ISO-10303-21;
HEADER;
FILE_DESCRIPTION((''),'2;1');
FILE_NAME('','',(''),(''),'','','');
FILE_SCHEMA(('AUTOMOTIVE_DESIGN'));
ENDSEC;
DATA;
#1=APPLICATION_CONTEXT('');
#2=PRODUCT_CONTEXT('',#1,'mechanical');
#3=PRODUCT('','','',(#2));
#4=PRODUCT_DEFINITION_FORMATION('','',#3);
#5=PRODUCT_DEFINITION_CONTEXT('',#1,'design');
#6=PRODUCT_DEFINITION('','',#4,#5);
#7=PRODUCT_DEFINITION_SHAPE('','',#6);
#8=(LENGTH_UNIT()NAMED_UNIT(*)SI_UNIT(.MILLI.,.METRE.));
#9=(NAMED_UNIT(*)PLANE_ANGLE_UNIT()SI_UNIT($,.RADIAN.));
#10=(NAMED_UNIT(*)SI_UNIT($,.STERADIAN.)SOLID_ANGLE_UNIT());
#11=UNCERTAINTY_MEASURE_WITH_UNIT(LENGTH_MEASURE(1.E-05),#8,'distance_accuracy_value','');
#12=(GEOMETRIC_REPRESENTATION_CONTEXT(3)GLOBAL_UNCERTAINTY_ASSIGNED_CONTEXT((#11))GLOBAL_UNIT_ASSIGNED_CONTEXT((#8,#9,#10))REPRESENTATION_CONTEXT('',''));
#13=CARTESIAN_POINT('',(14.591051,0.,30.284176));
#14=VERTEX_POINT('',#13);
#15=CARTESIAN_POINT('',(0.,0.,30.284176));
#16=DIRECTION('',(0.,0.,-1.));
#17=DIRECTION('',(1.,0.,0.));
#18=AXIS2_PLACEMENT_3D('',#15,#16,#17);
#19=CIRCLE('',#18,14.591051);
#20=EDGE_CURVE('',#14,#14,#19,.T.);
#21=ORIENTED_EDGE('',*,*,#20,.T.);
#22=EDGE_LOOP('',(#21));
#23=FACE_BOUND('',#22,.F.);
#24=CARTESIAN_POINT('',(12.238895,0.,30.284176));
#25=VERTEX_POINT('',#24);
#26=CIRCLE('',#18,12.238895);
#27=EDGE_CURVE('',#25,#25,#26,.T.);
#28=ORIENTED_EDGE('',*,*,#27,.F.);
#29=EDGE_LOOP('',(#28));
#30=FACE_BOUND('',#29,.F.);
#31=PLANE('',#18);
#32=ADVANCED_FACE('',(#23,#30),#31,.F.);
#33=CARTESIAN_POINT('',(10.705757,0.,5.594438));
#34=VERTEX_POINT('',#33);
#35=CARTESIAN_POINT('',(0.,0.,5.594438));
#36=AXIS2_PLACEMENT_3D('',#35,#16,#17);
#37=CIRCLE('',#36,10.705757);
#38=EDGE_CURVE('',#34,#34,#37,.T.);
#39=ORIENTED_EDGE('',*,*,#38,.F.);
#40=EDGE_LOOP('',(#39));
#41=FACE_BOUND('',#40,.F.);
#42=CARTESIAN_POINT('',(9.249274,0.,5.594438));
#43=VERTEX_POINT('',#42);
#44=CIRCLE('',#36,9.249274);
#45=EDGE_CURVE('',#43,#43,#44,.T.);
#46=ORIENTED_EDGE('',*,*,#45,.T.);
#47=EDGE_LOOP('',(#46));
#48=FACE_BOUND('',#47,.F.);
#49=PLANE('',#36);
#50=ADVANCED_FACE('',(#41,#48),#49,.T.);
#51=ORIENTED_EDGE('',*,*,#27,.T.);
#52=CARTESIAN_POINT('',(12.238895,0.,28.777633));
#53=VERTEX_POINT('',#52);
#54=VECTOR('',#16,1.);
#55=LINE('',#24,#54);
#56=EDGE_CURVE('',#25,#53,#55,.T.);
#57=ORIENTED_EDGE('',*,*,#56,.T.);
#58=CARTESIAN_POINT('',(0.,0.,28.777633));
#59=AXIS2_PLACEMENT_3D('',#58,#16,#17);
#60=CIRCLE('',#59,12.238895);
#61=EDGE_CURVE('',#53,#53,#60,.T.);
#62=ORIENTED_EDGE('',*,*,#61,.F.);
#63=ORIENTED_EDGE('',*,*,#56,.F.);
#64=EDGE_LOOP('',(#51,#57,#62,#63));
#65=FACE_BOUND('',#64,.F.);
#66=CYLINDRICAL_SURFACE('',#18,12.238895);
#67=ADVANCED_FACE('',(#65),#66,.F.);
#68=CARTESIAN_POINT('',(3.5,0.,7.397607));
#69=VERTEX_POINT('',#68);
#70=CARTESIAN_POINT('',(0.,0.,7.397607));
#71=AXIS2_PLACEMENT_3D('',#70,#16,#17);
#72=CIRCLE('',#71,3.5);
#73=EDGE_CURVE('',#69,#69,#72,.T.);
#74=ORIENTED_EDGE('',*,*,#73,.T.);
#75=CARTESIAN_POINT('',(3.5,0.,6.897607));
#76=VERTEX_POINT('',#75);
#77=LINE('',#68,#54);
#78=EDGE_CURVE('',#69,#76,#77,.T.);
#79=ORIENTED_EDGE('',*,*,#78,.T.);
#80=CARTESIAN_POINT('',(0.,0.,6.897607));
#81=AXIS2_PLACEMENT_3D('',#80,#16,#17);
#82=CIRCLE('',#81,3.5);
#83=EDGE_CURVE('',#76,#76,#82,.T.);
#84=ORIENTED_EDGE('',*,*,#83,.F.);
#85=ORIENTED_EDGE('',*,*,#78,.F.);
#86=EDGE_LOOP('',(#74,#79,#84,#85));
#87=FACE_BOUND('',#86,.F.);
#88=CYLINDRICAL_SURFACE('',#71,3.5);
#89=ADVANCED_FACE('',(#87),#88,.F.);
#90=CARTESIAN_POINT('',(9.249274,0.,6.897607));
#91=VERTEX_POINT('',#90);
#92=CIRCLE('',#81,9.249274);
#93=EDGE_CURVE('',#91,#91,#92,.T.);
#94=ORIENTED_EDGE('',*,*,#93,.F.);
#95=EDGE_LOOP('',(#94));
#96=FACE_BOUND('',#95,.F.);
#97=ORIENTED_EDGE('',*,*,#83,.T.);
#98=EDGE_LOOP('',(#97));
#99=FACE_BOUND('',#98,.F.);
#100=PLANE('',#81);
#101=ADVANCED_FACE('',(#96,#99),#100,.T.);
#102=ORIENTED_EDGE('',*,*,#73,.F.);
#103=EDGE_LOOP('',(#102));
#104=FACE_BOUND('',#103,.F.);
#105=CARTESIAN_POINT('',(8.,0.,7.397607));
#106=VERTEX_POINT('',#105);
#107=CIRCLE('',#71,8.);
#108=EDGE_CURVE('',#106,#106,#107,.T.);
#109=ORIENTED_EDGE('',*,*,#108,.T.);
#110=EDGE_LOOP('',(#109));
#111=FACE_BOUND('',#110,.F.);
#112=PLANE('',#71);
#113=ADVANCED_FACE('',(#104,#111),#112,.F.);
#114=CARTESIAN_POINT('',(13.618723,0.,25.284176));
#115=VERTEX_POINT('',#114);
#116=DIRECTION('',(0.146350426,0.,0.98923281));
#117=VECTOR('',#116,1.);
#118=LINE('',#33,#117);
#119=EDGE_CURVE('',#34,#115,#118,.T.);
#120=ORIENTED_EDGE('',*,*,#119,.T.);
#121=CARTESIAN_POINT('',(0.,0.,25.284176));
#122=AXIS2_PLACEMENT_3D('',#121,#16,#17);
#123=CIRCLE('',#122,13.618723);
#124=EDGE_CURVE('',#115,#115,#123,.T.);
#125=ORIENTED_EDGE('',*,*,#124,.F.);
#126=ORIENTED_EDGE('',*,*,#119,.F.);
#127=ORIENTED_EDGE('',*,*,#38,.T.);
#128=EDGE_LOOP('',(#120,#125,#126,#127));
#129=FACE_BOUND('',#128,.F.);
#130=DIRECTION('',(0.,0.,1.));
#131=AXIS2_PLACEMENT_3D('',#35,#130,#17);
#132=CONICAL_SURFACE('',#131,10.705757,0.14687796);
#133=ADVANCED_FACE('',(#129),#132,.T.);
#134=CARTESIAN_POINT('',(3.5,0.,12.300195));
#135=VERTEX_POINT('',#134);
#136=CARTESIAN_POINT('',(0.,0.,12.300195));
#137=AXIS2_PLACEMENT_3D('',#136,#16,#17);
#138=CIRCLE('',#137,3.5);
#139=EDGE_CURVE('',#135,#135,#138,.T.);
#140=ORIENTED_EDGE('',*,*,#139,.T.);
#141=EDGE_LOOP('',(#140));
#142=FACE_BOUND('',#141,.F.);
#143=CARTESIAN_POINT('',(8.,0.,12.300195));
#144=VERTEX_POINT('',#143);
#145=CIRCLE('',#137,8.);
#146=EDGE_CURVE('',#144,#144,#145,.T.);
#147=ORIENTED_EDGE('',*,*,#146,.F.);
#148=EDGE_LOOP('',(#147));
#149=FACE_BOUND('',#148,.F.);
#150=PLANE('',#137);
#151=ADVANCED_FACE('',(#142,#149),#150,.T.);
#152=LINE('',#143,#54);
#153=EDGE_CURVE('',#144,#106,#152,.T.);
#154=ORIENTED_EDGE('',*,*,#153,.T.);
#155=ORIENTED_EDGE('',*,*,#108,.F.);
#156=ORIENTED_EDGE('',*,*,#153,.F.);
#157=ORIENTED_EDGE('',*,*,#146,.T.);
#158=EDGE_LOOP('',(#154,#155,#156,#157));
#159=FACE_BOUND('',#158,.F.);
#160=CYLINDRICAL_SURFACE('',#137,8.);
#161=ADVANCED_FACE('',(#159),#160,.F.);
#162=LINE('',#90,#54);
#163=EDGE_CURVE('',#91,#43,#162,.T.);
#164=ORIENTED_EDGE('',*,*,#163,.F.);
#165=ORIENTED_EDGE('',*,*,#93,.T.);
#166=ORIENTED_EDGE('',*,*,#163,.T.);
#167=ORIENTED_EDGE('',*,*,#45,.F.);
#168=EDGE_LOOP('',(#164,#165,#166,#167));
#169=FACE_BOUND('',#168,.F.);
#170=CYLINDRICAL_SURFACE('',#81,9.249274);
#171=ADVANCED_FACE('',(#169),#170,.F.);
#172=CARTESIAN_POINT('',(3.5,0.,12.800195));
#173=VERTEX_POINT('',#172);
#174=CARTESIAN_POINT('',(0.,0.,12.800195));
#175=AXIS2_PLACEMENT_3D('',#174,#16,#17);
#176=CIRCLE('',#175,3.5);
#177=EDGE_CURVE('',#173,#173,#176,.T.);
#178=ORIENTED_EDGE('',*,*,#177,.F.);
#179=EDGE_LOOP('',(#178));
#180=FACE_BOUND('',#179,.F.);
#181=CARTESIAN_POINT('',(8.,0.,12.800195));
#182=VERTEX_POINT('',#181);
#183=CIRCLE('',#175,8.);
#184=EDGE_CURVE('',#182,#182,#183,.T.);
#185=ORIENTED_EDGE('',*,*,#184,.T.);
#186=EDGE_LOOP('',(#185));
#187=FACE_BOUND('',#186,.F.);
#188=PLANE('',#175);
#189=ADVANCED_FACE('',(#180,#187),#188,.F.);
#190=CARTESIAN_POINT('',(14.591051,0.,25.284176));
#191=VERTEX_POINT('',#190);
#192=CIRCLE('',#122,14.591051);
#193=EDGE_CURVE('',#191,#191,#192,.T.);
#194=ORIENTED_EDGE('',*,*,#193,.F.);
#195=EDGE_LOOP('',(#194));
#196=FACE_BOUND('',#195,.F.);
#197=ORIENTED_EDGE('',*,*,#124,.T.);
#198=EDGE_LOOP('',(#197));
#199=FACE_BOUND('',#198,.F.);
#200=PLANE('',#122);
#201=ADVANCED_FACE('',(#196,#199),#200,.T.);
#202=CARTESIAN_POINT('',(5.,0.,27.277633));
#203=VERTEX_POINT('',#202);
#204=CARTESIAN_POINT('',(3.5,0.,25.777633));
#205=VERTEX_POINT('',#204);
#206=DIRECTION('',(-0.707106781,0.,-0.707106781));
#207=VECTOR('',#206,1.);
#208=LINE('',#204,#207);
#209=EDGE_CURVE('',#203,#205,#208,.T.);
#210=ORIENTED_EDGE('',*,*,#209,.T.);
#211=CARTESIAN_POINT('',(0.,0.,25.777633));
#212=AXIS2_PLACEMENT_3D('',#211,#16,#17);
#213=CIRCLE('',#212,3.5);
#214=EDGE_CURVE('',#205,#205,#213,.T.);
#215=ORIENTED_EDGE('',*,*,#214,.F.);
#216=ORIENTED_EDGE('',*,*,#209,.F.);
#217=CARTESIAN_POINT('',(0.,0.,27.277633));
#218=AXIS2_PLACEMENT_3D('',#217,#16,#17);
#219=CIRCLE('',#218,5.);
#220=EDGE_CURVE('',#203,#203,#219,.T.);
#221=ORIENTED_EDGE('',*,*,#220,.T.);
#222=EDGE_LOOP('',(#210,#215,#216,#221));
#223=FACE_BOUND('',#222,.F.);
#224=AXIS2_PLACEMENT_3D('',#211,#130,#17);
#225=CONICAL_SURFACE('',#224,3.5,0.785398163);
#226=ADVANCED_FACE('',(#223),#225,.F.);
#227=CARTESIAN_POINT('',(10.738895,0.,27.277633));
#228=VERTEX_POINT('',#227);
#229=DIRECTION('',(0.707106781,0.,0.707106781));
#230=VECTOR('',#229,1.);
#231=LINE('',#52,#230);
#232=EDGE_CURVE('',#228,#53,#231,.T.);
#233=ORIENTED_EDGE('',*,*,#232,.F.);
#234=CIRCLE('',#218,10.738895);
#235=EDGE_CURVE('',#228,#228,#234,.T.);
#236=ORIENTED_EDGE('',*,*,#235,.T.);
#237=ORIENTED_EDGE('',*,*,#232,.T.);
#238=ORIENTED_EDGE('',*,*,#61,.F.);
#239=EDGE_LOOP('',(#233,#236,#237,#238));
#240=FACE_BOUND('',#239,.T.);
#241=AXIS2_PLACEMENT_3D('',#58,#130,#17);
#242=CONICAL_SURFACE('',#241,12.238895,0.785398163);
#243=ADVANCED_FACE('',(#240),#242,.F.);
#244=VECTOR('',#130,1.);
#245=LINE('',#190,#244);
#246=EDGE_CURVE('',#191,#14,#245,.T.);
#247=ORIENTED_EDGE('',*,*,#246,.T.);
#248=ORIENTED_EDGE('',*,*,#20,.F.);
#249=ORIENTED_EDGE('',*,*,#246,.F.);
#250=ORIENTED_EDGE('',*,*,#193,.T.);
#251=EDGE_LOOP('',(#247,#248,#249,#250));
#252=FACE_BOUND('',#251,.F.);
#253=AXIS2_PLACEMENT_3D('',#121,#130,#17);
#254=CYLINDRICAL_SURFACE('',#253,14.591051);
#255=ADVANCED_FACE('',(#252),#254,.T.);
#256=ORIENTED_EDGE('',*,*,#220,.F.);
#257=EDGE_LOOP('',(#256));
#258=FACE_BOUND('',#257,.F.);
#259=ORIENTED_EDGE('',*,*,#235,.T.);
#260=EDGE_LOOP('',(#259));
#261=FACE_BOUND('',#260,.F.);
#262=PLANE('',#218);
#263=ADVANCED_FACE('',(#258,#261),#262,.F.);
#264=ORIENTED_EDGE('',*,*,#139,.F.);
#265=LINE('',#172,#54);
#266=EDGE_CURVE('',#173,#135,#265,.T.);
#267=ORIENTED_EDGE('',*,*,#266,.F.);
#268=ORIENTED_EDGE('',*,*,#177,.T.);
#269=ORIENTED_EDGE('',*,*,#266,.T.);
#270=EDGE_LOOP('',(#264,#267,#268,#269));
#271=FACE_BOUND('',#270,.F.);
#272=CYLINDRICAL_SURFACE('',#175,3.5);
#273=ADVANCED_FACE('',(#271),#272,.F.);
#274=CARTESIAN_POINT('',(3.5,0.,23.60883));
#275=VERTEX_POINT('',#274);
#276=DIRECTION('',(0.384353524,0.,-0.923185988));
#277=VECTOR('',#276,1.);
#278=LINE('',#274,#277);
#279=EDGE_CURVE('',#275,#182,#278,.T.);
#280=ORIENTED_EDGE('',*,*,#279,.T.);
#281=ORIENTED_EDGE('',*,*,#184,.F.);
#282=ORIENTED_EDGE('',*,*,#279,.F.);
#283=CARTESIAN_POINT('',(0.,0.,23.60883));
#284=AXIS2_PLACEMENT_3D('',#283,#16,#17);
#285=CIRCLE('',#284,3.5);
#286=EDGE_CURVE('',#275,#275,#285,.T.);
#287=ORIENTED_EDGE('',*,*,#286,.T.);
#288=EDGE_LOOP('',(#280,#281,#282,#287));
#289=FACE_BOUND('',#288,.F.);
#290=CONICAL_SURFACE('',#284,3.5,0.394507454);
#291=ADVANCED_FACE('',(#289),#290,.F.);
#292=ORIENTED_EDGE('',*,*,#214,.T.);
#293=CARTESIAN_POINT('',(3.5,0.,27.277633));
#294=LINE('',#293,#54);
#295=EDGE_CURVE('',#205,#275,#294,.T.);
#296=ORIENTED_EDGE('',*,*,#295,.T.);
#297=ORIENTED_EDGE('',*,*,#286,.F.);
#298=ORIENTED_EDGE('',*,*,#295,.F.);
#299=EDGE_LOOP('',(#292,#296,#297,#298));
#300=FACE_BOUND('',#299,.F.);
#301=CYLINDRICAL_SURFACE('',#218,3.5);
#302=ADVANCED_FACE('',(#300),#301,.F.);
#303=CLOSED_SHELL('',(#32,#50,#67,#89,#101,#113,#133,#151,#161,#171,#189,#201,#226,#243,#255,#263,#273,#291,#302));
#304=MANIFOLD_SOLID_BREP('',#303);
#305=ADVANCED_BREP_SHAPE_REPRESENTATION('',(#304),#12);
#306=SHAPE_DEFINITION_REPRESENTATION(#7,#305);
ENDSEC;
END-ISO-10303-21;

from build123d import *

# Parameters (mm, degrees)
F2_SIZE = 1.5


with BuildPart() as f1:
    # F0 (on Front) → F1 (revolve)
    with BuildSketch(Plane.XZ):
        Polygon((12.238895, 27.277633), (3.5, 27.277633), (3.5, 23.60883), (8, 12.800195), (3.5, 12.800195), (3.5, 12.300195), (8, 12.300195), (8, 7.397607), (3.5, 7.397607), (3.5, 6.897607), (9.249274, 6.897607), (9.249274, 5.594438), (10.705757, 5.594438), (13.618723, 25.284176), (14.591051, 25.284176), (14.591051, 30.284176), (12.238895, 30.284176), align=None)
    revolve(axis=Axis((0, 0, 16.016259), (0, 0, -1)))

    # F2
    f2_edges = [f1.edges().sort_by_distance(p)[0] for p in [
        (-3.5, 0, 27.277633),
        (-12.238895, 0, 27.277633),
    ]]
    chamfer(f2_edges, length=F2_SIZE)


solid = f1.part
